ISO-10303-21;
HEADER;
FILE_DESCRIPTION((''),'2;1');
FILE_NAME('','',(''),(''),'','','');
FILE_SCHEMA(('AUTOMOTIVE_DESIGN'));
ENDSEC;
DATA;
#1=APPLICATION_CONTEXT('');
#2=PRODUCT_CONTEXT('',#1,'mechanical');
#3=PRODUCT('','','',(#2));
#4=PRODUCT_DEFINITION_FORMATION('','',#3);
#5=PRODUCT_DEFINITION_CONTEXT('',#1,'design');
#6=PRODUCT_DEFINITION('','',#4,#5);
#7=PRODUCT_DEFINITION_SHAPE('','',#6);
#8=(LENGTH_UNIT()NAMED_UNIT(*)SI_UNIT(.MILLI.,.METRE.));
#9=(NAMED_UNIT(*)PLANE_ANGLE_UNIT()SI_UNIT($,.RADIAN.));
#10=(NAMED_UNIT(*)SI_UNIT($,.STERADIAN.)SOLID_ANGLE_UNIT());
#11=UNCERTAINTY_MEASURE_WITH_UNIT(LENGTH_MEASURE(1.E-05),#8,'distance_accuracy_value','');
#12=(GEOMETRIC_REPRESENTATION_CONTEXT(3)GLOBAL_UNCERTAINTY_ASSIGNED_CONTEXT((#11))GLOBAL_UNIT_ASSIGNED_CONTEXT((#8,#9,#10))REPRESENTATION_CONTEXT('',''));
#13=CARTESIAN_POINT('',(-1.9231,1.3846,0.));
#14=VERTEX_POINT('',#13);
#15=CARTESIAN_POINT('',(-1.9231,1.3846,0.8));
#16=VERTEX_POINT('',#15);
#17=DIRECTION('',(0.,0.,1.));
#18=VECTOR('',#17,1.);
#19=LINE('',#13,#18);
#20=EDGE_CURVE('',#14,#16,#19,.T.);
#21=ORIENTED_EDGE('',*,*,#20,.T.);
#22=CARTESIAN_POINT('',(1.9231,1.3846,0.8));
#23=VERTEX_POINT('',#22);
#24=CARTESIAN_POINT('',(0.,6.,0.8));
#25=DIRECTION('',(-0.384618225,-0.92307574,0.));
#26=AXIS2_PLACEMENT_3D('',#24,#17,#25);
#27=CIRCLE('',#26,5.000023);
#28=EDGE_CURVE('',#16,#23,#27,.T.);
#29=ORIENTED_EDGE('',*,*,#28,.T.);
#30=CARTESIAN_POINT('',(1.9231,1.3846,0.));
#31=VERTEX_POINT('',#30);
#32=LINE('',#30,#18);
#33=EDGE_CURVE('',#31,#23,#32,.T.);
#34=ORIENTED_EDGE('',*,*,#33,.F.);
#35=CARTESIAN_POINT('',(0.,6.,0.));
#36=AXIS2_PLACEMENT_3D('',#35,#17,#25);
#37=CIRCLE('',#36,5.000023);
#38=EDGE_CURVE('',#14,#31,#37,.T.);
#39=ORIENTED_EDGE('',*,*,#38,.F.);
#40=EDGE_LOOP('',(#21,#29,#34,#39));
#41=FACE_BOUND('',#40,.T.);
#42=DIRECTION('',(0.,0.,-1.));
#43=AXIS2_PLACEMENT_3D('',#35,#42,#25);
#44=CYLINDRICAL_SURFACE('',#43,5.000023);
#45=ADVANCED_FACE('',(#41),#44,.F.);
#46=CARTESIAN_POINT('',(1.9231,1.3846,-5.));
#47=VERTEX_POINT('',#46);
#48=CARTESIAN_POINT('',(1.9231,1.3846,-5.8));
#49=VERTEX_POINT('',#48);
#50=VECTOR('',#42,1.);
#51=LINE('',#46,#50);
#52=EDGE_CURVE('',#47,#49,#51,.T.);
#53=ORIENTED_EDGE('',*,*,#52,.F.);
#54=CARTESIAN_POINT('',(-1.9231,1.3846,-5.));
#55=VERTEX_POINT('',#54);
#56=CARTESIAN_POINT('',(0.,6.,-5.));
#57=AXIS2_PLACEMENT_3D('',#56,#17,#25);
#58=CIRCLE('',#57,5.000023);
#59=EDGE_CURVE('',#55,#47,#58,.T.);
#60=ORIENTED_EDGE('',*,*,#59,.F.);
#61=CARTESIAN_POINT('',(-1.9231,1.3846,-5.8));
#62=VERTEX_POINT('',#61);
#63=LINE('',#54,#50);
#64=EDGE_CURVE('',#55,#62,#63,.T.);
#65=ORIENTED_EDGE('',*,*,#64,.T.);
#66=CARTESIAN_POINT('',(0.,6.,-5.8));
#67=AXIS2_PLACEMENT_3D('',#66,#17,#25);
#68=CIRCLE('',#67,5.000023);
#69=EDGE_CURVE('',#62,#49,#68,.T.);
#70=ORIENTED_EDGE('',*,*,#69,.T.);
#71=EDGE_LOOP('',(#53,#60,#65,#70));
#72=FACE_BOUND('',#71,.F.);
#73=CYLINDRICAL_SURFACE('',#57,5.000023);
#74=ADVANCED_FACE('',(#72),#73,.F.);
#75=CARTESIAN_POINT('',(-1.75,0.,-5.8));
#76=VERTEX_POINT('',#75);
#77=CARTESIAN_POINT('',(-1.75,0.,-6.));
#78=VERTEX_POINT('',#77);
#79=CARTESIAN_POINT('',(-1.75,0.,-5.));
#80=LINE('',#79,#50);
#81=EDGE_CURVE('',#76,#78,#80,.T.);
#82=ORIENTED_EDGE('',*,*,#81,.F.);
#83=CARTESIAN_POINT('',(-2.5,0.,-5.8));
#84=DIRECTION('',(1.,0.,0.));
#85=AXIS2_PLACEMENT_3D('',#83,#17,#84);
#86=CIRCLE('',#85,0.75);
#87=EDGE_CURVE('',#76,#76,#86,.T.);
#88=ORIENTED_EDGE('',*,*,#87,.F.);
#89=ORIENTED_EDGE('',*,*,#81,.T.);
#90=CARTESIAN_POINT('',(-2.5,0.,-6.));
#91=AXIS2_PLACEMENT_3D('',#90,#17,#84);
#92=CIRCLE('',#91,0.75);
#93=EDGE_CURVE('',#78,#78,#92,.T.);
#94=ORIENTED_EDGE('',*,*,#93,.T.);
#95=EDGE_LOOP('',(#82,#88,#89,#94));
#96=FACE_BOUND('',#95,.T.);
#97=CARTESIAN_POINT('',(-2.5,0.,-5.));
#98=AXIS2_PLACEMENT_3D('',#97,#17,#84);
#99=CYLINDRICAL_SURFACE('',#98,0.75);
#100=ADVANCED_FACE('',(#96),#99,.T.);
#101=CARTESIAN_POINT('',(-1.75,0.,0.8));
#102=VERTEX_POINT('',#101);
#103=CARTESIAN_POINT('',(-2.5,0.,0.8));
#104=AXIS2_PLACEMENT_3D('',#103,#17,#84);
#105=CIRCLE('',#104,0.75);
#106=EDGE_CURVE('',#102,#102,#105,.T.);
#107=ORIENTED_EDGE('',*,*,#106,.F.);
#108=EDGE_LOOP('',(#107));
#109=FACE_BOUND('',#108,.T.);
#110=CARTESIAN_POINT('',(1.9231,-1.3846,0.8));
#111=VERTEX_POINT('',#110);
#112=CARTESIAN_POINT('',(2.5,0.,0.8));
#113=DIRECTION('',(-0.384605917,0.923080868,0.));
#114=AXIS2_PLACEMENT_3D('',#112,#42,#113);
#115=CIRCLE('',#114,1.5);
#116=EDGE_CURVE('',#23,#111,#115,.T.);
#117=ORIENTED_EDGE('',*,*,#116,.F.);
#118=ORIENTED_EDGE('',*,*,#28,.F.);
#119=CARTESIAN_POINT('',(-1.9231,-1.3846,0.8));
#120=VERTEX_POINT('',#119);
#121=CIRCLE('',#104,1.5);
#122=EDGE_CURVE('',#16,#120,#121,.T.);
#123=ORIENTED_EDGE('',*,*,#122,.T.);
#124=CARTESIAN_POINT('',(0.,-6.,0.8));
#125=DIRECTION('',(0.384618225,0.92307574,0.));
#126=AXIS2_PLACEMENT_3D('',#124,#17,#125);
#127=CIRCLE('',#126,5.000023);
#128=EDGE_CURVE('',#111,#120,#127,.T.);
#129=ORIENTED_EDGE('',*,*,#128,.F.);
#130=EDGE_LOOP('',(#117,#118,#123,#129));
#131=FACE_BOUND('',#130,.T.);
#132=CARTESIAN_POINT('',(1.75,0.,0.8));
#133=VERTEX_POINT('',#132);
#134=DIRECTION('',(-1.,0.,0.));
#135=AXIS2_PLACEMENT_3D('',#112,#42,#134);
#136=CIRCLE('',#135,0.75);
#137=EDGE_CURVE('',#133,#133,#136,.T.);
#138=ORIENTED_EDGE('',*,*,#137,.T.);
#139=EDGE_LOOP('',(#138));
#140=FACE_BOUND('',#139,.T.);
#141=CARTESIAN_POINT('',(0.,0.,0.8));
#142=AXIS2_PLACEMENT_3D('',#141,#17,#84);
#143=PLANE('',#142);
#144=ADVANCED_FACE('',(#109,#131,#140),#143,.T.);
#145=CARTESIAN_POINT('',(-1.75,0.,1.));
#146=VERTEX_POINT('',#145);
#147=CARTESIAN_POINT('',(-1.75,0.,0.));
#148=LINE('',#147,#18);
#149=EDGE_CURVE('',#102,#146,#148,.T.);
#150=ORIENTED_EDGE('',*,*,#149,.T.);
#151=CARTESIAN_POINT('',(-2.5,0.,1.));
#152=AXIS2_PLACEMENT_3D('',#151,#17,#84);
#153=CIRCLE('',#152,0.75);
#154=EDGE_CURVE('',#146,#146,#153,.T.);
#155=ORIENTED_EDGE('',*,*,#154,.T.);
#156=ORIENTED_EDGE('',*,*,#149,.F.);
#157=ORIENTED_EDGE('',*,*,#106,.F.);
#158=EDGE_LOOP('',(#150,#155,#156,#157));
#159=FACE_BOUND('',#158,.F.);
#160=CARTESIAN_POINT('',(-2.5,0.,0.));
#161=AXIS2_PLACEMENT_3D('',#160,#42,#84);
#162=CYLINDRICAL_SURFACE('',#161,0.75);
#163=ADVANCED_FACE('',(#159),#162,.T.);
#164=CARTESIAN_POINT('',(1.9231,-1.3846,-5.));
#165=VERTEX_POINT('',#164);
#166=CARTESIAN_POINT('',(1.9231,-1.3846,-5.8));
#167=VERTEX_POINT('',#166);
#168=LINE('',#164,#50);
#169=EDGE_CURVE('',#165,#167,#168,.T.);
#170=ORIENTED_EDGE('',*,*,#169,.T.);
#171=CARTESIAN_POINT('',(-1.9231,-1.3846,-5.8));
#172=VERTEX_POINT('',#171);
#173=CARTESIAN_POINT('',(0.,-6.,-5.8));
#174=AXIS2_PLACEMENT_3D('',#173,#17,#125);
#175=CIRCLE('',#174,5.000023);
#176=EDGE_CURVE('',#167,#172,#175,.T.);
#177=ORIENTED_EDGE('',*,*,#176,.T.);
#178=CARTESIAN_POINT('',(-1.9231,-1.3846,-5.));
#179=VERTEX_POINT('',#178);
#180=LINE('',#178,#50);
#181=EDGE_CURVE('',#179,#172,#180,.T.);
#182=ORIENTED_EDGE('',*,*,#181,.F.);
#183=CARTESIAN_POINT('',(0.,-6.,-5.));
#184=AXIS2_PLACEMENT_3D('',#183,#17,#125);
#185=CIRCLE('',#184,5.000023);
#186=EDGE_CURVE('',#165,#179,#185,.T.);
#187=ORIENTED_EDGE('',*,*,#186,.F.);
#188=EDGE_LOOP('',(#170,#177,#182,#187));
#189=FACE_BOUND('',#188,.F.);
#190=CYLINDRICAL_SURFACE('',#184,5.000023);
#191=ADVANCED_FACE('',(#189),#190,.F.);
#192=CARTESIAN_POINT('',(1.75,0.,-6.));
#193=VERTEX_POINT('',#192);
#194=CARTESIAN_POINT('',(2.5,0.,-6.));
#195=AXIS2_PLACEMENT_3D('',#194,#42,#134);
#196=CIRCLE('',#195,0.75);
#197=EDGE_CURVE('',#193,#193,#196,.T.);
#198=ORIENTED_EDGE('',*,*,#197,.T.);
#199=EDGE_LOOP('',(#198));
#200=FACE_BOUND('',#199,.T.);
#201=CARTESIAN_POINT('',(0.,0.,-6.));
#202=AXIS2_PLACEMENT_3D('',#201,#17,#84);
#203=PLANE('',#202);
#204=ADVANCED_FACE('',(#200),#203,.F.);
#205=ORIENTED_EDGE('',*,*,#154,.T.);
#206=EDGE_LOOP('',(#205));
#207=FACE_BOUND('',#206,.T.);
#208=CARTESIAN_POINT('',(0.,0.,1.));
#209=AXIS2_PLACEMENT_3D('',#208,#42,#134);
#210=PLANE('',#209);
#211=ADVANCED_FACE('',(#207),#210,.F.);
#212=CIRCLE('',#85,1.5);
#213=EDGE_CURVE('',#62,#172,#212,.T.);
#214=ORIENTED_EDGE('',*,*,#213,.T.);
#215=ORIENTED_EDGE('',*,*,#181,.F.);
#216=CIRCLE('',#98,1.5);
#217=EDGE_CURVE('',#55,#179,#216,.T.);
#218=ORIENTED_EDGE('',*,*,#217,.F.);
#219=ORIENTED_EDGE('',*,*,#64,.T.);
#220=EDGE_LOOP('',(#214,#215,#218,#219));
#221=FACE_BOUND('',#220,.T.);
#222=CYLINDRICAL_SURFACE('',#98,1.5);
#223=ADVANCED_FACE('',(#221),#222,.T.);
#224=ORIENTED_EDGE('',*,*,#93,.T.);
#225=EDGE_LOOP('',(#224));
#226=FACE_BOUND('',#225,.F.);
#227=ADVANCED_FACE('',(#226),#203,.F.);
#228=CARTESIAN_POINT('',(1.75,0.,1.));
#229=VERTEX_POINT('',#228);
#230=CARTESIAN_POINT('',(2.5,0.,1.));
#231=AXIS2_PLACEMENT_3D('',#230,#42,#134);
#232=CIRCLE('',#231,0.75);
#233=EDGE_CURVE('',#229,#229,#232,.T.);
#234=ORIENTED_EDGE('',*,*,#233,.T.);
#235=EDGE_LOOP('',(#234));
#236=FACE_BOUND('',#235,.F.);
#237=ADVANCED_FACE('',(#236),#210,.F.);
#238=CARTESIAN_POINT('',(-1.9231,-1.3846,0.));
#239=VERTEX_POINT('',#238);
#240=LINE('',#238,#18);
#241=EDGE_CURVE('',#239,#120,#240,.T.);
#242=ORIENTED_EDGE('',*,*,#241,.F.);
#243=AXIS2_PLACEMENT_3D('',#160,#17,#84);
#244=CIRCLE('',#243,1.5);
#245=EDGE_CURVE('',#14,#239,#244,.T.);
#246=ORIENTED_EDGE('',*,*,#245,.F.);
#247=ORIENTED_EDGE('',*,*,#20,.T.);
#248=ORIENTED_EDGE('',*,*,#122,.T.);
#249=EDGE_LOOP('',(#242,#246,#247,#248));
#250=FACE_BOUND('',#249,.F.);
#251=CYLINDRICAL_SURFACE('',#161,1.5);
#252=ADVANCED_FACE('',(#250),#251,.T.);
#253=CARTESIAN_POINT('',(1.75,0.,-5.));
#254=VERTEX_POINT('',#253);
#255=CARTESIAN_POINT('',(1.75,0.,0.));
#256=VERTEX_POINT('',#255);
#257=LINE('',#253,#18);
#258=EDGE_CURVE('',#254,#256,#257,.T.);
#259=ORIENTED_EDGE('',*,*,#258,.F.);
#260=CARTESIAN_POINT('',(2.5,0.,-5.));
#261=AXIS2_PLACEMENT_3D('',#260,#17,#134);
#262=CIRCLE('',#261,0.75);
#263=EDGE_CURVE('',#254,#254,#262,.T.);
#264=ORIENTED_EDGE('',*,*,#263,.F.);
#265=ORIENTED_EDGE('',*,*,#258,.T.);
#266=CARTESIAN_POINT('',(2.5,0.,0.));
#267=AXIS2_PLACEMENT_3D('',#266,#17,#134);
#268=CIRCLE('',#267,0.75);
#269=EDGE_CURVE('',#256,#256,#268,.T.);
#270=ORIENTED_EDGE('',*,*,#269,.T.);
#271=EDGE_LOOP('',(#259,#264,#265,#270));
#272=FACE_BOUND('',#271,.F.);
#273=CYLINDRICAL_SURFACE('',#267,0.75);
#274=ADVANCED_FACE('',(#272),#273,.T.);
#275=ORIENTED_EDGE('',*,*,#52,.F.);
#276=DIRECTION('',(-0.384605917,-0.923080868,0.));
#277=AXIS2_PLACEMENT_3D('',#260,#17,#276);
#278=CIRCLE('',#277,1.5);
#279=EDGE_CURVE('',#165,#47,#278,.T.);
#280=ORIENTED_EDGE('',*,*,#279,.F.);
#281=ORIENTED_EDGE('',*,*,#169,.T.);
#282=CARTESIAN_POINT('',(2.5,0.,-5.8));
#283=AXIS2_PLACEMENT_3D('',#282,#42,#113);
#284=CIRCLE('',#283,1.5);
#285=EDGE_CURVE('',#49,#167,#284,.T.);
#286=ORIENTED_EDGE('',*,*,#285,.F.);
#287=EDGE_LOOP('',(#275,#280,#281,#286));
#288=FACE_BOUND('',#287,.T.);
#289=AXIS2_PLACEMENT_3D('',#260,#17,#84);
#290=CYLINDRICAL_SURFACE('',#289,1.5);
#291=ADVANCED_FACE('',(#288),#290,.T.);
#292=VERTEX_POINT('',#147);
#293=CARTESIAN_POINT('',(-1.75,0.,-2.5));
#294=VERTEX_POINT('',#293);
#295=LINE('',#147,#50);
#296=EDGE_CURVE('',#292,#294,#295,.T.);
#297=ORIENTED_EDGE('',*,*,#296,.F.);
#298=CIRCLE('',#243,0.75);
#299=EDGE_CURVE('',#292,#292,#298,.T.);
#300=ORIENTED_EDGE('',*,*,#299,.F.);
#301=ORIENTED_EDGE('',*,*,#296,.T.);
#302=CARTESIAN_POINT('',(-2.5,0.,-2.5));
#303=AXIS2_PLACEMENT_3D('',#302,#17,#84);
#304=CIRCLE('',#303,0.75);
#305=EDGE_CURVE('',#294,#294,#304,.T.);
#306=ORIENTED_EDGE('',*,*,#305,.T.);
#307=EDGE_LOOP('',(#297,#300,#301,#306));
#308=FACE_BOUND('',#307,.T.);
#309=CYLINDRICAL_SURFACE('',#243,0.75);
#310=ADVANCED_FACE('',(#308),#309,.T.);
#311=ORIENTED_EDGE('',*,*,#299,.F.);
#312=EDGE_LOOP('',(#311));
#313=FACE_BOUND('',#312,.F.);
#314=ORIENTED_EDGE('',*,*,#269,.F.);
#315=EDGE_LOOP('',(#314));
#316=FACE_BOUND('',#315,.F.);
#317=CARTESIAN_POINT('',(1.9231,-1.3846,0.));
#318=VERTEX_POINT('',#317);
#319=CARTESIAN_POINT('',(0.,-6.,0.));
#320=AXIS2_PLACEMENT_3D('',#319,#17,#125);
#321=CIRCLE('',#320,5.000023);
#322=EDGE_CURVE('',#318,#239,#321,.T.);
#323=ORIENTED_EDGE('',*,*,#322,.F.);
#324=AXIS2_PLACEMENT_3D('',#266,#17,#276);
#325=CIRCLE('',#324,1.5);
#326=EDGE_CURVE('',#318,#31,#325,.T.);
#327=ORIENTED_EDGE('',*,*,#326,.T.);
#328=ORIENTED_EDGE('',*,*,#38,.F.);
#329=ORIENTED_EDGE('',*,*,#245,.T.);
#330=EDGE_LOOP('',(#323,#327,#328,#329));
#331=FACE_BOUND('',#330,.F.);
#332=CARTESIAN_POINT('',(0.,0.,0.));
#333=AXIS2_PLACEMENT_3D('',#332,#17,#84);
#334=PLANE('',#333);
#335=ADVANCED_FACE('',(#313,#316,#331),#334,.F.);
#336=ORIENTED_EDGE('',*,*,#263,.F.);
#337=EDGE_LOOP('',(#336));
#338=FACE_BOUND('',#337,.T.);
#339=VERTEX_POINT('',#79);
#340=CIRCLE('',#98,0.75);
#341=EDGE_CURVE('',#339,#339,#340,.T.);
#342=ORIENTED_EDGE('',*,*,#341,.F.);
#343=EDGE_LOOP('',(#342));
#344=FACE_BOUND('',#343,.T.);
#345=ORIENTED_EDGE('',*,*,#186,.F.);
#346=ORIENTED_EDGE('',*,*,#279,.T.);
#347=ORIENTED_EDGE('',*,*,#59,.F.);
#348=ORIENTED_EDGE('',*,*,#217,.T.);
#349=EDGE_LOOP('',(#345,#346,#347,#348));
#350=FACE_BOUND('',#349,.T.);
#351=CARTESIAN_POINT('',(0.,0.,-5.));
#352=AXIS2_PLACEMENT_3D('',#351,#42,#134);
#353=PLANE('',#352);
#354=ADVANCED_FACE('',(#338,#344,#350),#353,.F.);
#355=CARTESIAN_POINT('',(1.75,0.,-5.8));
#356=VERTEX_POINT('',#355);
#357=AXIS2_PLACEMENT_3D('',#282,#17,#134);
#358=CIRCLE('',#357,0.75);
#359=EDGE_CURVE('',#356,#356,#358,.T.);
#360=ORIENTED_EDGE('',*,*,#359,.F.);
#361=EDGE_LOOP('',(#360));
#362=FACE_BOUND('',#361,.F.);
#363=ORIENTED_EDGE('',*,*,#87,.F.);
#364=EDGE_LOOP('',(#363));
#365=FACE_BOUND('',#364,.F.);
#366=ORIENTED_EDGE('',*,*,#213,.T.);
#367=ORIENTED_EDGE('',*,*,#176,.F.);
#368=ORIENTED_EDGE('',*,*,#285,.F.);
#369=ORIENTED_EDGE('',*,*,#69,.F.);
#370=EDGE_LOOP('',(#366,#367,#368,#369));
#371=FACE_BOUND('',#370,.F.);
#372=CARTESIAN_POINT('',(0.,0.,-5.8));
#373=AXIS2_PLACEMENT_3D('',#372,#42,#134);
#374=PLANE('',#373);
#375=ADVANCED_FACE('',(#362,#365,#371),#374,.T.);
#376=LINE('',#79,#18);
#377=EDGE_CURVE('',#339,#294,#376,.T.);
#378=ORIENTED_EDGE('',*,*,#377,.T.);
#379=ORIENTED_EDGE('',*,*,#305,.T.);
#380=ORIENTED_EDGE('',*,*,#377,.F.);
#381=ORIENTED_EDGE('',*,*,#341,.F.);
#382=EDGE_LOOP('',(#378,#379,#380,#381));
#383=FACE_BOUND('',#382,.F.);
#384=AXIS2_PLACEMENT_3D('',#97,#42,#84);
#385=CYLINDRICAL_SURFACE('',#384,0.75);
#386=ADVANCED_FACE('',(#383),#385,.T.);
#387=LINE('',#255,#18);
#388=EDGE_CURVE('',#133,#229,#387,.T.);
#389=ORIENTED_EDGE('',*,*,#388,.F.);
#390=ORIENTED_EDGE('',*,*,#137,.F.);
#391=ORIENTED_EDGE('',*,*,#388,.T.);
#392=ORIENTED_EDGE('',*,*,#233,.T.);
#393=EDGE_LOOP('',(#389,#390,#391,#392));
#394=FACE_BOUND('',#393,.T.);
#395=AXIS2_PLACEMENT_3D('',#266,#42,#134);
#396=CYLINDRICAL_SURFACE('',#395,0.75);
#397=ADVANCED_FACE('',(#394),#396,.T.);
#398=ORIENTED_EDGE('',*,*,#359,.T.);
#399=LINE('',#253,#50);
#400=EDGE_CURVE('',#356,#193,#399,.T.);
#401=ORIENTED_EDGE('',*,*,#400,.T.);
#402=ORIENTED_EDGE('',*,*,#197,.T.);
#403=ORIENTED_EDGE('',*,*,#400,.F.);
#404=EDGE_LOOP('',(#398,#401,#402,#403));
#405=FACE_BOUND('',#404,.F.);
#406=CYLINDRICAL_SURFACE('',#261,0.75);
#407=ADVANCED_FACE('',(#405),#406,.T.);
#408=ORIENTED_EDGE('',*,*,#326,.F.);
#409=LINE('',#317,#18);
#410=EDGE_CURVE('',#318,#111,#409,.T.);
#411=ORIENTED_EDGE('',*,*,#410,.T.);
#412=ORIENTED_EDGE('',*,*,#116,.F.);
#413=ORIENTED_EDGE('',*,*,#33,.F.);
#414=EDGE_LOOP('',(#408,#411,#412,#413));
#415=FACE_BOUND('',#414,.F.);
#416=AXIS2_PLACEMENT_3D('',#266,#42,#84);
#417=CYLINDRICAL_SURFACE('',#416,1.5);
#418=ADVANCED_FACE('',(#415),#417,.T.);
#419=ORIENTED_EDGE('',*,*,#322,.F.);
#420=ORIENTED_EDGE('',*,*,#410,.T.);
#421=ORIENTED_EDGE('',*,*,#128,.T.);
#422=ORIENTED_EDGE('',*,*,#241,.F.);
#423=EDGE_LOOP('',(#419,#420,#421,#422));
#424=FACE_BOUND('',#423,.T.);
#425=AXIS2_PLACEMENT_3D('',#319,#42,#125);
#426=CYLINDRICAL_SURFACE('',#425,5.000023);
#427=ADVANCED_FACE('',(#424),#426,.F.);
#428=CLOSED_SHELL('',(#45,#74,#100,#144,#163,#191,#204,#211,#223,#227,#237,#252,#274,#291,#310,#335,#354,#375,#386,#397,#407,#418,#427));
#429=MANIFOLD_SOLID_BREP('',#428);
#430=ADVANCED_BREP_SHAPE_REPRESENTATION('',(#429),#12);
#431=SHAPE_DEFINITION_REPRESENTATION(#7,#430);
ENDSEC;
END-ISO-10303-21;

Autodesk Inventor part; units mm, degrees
ref_plane "YZ Plane" through (0, 0, 0) normal (1, 0, 0) x (0, 1, 0)
ref_plane "XZ Plane" through (0, 0, 0) normal (0, 1, 0) x (-1, 0, 0)
sketch "Sketch2" plane through (0, 0, 0) normal (0, 0, 1) x (1, 0, 0)
  circle A0 centre (2.5, 0) radius 1.5
  circle A1 centre (-2.5, 0) radius 1.5
  arc A2 (-1.9231, 1.3846) -> (1.9231, 1.3846) centre (0, 6) ccw
  arc A3 (1.9231, -1.3846) -> (-1.9231, -1.3846) centre (0, -6) ccw
  circle A4 centre (2.5, 0) radius 0.75
  circle A5 centre (-2.5, 0) radius 0.75
  point P0 (0, 0)
  dimension "d0" = 3
  dimension "d1" = 3
  dimension "d2" = 6
  dimension "d3" = 6
  dimension "d4" = 2.5
  dimension "d5" = 2.5
  dimension "d6" = 1.5
  dimension "d7" = 1.5
extrude "Extrusion2" add sketch "Sketch2" along normal blind 0.8
ref_plane "Work Plane7" through (0, 0, 0) normal (0, 0, -1) x (-1, 0, 0)
sketch "Sketch9" plane through (0, 0, 0) normal (0, 0, -1) x (-1, 0, 0)
  arc A0 (1.9231, -1.3846) -> (-1.9231, -1.3846) centre (0, -6) ccw projected
  arc A1 (1.9231, -1.3846) -> (1.9231, 1.3846) centre (2.5, 0) ccw projected
  arc A2 (-1.9231, 1.3846) -> (1.9231, 1.3846) centre (0, 6) ccw projected
  arc A3 (-1.9231, 1.3846) -> (-1.9231, -1.3846) centre (-2.5, 0) ccw projected
  circle A4 centre (-2.5, 0) radius 0.75 projected
  circle A5 centre (2.5, 0) radius 0.75 projected
  circle A6 centre (-2.5, 0) radius 0.75
  point P0 (0, 0)
extrude "Extrusion8" add sketch "Sketch9" along normal blind 2.5 and the other way blind 1 contours A4
mirror "Mirror7" about plane through (0, 0, 0) normal (1, 0, 0) of "Extrusion8"
mirror "Mirror8" about plane through (-2.5, 0, -2.5) normal (0, 0, -1) of "Extrusion2", "Extrusion8", "Mirror7"
equation "\"d1\" = d0"
equation "\"d2\" = 2 * d0"
equation "\"d3\" = d2"
equation "\"d4\" = d5"
equation "\"d7\" = d6"
properties part number "chain ink_outer"
